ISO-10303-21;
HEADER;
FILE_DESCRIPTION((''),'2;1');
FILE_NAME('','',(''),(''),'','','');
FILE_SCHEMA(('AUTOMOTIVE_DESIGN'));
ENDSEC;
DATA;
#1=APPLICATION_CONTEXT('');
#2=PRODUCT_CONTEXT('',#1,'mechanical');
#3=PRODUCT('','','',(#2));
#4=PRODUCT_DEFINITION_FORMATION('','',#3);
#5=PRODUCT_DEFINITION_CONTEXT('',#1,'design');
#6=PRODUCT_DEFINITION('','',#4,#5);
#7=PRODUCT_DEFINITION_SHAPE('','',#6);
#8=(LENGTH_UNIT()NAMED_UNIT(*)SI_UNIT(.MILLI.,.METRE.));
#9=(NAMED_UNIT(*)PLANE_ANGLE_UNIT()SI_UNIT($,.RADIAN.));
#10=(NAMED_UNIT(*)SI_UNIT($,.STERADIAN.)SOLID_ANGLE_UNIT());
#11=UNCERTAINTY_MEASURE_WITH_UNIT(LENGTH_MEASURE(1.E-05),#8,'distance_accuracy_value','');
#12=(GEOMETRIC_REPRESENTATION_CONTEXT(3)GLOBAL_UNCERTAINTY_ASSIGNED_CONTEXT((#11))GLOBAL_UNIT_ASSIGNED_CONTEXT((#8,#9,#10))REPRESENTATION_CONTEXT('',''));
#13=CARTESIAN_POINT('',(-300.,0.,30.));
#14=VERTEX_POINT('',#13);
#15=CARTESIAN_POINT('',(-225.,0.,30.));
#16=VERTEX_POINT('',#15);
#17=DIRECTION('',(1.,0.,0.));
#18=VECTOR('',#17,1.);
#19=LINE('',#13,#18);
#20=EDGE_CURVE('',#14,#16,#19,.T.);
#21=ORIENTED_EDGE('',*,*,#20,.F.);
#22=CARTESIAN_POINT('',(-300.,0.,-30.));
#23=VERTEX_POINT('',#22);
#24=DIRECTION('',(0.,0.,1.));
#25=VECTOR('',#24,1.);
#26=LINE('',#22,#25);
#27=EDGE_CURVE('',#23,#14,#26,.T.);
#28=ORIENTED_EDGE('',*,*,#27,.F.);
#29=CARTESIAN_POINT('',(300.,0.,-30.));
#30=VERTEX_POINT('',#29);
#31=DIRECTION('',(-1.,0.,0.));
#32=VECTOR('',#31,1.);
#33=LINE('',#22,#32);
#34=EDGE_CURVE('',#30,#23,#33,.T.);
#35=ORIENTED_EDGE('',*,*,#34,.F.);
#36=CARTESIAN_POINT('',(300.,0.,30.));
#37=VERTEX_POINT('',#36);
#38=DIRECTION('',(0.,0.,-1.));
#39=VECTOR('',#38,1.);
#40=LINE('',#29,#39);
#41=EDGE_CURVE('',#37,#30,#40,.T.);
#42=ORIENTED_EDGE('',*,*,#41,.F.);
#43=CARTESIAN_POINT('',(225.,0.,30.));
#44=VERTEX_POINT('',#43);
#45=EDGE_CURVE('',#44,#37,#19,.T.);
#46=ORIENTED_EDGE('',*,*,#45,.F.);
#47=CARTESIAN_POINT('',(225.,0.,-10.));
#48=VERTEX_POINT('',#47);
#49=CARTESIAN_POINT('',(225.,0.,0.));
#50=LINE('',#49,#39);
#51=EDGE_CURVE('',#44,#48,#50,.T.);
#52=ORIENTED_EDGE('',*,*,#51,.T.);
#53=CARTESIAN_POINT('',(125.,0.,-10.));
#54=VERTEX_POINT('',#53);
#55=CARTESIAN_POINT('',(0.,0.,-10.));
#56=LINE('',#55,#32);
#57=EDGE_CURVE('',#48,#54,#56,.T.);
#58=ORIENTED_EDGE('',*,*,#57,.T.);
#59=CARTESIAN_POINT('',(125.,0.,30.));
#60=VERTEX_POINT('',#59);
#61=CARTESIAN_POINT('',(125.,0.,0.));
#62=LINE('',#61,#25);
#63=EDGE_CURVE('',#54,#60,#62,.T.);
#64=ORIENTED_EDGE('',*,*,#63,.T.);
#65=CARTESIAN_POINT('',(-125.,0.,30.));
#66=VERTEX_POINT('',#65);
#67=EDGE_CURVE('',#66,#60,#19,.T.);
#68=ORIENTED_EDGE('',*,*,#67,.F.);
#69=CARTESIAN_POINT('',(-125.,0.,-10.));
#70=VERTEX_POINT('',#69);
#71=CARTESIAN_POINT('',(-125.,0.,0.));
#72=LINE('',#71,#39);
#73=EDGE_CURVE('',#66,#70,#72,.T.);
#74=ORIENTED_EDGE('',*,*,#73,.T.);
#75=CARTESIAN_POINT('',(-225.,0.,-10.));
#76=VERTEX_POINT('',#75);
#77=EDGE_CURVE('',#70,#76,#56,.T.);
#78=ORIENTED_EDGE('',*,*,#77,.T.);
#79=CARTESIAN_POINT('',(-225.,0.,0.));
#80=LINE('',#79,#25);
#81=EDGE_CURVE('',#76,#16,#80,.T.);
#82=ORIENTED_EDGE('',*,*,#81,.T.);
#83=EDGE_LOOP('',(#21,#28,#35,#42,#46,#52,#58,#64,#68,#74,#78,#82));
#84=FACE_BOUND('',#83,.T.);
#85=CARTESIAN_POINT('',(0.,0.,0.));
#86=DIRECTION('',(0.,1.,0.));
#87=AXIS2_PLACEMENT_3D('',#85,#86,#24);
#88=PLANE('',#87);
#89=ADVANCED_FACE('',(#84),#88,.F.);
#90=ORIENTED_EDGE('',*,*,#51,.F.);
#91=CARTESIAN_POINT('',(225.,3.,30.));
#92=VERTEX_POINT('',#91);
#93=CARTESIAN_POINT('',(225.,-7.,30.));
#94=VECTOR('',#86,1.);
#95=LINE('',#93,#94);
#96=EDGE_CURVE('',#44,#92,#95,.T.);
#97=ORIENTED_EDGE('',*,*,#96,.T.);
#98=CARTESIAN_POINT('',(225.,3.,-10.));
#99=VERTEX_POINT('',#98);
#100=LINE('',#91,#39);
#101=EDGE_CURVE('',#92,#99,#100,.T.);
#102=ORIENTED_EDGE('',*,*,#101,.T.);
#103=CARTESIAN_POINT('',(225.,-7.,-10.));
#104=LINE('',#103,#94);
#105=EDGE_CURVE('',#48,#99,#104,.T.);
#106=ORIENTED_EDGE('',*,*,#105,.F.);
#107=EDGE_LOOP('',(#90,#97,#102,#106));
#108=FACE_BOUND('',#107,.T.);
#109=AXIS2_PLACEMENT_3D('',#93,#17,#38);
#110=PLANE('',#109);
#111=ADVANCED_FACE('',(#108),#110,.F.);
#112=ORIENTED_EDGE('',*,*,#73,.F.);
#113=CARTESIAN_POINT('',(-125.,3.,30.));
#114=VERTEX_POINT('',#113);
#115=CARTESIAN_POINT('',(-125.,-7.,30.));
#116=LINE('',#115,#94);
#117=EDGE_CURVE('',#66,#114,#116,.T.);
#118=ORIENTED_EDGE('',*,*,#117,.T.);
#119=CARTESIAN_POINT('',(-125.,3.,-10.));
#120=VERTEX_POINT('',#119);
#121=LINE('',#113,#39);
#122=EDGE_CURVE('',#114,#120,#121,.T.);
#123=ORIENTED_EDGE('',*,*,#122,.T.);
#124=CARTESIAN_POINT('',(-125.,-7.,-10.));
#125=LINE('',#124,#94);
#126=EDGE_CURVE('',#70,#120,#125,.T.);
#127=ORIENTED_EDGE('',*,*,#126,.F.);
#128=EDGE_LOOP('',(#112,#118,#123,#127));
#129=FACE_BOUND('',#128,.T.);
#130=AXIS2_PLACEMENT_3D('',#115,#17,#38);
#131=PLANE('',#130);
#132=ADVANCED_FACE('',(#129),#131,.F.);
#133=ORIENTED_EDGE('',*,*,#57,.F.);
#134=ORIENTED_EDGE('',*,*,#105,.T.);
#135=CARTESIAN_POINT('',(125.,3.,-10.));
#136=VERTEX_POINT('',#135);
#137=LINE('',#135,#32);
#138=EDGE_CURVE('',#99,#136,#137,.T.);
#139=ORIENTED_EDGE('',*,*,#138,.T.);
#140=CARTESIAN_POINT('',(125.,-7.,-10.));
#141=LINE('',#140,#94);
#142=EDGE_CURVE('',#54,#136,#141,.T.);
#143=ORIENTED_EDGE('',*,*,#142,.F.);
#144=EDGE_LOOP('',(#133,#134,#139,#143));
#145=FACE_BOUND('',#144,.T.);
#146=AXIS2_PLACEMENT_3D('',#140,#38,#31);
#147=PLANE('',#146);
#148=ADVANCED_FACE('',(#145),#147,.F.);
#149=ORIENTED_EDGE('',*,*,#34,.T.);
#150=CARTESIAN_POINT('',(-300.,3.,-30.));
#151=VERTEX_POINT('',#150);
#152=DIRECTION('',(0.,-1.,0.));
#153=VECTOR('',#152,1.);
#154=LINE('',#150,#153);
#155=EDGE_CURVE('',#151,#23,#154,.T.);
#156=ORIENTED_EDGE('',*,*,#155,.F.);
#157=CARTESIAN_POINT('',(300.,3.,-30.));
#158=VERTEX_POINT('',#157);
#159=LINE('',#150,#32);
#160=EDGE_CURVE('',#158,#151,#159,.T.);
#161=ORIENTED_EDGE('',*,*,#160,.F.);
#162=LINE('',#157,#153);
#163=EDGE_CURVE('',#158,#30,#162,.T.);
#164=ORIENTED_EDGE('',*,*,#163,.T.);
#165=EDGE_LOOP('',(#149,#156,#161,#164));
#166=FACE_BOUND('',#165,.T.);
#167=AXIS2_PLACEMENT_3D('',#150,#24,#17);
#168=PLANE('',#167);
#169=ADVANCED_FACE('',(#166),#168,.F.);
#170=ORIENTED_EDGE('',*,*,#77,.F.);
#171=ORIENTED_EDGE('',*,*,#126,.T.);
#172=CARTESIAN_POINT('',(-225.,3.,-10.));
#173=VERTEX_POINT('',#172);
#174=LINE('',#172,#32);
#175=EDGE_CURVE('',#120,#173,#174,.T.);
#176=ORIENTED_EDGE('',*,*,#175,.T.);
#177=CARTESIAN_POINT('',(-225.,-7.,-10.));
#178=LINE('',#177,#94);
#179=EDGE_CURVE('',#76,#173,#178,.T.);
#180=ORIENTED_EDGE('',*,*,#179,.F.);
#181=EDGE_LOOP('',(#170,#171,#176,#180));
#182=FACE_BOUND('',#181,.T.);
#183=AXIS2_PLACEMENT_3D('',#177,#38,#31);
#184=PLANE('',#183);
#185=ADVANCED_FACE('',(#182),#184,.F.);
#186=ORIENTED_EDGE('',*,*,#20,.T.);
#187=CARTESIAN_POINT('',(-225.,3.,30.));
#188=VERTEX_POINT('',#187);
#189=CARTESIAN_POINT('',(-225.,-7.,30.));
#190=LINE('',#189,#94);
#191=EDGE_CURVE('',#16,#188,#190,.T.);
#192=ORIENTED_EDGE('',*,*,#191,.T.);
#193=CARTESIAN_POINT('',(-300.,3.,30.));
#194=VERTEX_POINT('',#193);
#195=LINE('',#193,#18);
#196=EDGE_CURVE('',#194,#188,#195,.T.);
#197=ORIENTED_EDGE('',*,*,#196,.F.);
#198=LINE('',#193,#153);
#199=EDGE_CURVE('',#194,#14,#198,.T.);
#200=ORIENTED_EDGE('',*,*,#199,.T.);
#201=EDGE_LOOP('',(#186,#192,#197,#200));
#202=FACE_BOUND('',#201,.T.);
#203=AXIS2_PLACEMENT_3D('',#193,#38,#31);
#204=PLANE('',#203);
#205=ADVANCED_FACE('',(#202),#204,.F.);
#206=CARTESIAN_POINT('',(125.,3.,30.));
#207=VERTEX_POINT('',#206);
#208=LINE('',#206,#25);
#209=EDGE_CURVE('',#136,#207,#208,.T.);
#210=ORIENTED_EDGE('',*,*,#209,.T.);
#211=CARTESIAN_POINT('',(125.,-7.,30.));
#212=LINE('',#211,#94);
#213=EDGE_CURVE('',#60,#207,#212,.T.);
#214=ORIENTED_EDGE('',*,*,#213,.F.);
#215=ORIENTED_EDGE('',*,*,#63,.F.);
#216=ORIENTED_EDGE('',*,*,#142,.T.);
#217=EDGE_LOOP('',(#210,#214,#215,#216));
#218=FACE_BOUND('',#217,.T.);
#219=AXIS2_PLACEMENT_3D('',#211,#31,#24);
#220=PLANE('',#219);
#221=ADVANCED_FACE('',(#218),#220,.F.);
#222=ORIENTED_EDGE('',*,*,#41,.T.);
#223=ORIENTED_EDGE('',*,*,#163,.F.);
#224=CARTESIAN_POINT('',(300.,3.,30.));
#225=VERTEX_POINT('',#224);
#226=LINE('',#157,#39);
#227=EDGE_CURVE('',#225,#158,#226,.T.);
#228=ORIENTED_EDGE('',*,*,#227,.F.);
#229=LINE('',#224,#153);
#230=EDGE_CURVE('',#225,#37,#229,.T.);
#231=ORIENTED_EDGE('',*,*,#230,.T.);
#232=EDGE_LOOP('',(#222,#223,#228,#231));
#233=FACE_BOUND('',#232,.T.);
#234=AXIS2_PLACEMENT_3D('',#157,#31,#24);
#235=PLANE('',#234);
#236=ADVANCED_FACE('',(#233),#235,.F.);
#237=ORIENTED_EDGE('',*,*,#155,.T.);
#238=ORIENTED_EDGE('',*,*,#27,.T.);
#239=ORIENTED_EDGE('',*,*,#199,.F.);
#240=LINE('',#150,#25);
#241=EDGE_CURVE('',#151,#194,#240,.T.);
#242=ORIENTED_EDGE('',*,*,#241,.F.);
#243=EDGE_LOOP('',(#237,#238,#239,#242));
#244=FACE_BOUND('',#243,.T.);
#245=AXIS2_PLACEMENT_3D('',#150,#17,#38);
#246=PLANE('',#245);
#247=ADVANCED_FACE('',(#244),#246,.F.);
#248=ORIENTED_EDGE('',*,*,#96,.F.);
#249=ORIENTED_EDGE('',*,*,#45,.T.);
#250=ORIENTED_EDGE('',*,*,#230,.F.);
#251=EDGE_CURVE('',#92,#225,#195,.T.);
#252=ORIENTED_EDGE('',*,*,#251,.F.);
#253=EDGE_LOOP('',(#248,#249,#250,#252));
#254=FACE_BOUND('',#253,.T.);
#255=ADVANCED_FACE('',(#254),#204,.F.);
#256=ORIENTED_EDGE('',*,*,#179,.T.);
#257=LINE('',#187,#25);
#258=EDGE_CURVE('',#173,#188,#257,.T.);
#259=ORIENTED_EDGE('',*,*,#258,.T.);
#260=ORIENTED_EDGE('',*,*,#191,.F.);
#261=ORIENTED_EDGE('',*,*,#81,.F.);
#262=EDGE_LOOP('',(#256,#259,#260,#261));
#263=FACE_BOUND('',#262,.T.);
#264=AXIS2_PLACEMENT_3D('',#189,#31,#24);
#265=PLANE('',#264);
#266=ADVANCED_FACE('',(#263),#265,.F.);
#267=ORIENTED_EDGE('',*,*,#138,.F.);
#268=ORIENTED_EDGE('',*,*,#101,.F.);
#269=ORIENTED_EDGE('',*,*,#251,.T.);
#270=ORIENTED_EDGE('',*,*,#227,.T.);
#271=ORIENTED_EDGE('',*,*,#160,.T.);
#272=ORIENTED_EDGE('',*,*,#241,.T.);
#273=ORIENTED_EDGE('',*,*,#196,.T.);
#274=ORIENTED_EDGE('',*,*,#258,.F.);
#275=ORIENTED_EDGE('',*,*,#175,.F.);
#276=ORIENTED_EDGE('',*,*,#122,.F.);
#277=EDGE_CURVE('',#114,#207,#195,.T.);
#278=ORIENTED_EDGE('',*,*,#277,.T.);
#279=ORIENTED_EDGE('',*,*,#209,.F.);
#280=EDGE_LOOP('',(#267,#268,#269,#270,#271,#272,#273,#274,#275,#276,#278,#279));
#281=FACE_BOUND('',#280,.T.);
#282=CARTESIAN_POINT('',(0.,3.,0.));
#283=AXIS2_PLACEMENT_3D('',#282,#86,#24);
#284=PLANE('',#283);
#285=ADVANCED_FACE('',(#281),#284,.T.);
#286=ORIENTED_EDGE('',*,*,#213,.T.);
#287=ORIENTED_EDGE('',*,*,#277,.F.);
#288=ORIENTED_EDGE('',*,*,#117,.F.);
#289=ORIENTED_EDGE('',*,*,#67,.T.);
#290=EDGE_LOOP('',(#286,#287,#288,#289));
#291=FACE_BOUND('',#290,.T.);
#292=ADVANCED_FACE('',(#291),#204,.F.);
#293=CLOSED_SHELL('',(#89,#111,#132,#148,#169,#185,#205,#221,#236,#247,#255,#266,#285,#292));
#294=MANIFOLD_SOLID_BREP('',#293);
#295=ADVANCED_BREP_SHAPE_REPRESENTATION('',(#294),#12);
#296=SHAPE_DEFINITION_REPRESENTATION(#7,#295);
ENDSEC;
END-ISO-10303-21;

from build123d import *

# Parameters (mm, degrees)
SKETCH1_W           = 600
SKETCH1_H           = 60
BOSS_EXTRUDE1_DEPTH = 3
SKETCH2_W           = 100
SKETCH2_H           = 40
CUT_EXTRUDE1_DEPTH  = 10


with BuildPart() as part:
    # Sketch1 → Boss-Extrude1 (new body)
    with BuildSketch(Plane(origin=(0, 0, 0), x_dir=(1, 0, 0), z_dir=(0, 1, 0))):
        Rectangle(SKETCH1_W, SKETCH1_H)
    extrude(amount=BOSS_EXTRUDE1_DEPTH)

    # Sketch2 → Cut-Extrude1 (cut)
    with BuildSketch(Plane(origin=(0, 3, 0), x_dir=(1, 0, 0), z_dir=(0, 1, 0))):
        with Locations((-175, -10)):
            Rectangle(SKETCH2_W, SKETCH2_H)
        with Locations((175, -10)):
            Rectangle(SKETCH2_W, SKETCH2_H)
    extrude(amount=-CUT_EXTRUDE1_DEPTH, mode=Mode.SUBTRACT)


solid = part.part
